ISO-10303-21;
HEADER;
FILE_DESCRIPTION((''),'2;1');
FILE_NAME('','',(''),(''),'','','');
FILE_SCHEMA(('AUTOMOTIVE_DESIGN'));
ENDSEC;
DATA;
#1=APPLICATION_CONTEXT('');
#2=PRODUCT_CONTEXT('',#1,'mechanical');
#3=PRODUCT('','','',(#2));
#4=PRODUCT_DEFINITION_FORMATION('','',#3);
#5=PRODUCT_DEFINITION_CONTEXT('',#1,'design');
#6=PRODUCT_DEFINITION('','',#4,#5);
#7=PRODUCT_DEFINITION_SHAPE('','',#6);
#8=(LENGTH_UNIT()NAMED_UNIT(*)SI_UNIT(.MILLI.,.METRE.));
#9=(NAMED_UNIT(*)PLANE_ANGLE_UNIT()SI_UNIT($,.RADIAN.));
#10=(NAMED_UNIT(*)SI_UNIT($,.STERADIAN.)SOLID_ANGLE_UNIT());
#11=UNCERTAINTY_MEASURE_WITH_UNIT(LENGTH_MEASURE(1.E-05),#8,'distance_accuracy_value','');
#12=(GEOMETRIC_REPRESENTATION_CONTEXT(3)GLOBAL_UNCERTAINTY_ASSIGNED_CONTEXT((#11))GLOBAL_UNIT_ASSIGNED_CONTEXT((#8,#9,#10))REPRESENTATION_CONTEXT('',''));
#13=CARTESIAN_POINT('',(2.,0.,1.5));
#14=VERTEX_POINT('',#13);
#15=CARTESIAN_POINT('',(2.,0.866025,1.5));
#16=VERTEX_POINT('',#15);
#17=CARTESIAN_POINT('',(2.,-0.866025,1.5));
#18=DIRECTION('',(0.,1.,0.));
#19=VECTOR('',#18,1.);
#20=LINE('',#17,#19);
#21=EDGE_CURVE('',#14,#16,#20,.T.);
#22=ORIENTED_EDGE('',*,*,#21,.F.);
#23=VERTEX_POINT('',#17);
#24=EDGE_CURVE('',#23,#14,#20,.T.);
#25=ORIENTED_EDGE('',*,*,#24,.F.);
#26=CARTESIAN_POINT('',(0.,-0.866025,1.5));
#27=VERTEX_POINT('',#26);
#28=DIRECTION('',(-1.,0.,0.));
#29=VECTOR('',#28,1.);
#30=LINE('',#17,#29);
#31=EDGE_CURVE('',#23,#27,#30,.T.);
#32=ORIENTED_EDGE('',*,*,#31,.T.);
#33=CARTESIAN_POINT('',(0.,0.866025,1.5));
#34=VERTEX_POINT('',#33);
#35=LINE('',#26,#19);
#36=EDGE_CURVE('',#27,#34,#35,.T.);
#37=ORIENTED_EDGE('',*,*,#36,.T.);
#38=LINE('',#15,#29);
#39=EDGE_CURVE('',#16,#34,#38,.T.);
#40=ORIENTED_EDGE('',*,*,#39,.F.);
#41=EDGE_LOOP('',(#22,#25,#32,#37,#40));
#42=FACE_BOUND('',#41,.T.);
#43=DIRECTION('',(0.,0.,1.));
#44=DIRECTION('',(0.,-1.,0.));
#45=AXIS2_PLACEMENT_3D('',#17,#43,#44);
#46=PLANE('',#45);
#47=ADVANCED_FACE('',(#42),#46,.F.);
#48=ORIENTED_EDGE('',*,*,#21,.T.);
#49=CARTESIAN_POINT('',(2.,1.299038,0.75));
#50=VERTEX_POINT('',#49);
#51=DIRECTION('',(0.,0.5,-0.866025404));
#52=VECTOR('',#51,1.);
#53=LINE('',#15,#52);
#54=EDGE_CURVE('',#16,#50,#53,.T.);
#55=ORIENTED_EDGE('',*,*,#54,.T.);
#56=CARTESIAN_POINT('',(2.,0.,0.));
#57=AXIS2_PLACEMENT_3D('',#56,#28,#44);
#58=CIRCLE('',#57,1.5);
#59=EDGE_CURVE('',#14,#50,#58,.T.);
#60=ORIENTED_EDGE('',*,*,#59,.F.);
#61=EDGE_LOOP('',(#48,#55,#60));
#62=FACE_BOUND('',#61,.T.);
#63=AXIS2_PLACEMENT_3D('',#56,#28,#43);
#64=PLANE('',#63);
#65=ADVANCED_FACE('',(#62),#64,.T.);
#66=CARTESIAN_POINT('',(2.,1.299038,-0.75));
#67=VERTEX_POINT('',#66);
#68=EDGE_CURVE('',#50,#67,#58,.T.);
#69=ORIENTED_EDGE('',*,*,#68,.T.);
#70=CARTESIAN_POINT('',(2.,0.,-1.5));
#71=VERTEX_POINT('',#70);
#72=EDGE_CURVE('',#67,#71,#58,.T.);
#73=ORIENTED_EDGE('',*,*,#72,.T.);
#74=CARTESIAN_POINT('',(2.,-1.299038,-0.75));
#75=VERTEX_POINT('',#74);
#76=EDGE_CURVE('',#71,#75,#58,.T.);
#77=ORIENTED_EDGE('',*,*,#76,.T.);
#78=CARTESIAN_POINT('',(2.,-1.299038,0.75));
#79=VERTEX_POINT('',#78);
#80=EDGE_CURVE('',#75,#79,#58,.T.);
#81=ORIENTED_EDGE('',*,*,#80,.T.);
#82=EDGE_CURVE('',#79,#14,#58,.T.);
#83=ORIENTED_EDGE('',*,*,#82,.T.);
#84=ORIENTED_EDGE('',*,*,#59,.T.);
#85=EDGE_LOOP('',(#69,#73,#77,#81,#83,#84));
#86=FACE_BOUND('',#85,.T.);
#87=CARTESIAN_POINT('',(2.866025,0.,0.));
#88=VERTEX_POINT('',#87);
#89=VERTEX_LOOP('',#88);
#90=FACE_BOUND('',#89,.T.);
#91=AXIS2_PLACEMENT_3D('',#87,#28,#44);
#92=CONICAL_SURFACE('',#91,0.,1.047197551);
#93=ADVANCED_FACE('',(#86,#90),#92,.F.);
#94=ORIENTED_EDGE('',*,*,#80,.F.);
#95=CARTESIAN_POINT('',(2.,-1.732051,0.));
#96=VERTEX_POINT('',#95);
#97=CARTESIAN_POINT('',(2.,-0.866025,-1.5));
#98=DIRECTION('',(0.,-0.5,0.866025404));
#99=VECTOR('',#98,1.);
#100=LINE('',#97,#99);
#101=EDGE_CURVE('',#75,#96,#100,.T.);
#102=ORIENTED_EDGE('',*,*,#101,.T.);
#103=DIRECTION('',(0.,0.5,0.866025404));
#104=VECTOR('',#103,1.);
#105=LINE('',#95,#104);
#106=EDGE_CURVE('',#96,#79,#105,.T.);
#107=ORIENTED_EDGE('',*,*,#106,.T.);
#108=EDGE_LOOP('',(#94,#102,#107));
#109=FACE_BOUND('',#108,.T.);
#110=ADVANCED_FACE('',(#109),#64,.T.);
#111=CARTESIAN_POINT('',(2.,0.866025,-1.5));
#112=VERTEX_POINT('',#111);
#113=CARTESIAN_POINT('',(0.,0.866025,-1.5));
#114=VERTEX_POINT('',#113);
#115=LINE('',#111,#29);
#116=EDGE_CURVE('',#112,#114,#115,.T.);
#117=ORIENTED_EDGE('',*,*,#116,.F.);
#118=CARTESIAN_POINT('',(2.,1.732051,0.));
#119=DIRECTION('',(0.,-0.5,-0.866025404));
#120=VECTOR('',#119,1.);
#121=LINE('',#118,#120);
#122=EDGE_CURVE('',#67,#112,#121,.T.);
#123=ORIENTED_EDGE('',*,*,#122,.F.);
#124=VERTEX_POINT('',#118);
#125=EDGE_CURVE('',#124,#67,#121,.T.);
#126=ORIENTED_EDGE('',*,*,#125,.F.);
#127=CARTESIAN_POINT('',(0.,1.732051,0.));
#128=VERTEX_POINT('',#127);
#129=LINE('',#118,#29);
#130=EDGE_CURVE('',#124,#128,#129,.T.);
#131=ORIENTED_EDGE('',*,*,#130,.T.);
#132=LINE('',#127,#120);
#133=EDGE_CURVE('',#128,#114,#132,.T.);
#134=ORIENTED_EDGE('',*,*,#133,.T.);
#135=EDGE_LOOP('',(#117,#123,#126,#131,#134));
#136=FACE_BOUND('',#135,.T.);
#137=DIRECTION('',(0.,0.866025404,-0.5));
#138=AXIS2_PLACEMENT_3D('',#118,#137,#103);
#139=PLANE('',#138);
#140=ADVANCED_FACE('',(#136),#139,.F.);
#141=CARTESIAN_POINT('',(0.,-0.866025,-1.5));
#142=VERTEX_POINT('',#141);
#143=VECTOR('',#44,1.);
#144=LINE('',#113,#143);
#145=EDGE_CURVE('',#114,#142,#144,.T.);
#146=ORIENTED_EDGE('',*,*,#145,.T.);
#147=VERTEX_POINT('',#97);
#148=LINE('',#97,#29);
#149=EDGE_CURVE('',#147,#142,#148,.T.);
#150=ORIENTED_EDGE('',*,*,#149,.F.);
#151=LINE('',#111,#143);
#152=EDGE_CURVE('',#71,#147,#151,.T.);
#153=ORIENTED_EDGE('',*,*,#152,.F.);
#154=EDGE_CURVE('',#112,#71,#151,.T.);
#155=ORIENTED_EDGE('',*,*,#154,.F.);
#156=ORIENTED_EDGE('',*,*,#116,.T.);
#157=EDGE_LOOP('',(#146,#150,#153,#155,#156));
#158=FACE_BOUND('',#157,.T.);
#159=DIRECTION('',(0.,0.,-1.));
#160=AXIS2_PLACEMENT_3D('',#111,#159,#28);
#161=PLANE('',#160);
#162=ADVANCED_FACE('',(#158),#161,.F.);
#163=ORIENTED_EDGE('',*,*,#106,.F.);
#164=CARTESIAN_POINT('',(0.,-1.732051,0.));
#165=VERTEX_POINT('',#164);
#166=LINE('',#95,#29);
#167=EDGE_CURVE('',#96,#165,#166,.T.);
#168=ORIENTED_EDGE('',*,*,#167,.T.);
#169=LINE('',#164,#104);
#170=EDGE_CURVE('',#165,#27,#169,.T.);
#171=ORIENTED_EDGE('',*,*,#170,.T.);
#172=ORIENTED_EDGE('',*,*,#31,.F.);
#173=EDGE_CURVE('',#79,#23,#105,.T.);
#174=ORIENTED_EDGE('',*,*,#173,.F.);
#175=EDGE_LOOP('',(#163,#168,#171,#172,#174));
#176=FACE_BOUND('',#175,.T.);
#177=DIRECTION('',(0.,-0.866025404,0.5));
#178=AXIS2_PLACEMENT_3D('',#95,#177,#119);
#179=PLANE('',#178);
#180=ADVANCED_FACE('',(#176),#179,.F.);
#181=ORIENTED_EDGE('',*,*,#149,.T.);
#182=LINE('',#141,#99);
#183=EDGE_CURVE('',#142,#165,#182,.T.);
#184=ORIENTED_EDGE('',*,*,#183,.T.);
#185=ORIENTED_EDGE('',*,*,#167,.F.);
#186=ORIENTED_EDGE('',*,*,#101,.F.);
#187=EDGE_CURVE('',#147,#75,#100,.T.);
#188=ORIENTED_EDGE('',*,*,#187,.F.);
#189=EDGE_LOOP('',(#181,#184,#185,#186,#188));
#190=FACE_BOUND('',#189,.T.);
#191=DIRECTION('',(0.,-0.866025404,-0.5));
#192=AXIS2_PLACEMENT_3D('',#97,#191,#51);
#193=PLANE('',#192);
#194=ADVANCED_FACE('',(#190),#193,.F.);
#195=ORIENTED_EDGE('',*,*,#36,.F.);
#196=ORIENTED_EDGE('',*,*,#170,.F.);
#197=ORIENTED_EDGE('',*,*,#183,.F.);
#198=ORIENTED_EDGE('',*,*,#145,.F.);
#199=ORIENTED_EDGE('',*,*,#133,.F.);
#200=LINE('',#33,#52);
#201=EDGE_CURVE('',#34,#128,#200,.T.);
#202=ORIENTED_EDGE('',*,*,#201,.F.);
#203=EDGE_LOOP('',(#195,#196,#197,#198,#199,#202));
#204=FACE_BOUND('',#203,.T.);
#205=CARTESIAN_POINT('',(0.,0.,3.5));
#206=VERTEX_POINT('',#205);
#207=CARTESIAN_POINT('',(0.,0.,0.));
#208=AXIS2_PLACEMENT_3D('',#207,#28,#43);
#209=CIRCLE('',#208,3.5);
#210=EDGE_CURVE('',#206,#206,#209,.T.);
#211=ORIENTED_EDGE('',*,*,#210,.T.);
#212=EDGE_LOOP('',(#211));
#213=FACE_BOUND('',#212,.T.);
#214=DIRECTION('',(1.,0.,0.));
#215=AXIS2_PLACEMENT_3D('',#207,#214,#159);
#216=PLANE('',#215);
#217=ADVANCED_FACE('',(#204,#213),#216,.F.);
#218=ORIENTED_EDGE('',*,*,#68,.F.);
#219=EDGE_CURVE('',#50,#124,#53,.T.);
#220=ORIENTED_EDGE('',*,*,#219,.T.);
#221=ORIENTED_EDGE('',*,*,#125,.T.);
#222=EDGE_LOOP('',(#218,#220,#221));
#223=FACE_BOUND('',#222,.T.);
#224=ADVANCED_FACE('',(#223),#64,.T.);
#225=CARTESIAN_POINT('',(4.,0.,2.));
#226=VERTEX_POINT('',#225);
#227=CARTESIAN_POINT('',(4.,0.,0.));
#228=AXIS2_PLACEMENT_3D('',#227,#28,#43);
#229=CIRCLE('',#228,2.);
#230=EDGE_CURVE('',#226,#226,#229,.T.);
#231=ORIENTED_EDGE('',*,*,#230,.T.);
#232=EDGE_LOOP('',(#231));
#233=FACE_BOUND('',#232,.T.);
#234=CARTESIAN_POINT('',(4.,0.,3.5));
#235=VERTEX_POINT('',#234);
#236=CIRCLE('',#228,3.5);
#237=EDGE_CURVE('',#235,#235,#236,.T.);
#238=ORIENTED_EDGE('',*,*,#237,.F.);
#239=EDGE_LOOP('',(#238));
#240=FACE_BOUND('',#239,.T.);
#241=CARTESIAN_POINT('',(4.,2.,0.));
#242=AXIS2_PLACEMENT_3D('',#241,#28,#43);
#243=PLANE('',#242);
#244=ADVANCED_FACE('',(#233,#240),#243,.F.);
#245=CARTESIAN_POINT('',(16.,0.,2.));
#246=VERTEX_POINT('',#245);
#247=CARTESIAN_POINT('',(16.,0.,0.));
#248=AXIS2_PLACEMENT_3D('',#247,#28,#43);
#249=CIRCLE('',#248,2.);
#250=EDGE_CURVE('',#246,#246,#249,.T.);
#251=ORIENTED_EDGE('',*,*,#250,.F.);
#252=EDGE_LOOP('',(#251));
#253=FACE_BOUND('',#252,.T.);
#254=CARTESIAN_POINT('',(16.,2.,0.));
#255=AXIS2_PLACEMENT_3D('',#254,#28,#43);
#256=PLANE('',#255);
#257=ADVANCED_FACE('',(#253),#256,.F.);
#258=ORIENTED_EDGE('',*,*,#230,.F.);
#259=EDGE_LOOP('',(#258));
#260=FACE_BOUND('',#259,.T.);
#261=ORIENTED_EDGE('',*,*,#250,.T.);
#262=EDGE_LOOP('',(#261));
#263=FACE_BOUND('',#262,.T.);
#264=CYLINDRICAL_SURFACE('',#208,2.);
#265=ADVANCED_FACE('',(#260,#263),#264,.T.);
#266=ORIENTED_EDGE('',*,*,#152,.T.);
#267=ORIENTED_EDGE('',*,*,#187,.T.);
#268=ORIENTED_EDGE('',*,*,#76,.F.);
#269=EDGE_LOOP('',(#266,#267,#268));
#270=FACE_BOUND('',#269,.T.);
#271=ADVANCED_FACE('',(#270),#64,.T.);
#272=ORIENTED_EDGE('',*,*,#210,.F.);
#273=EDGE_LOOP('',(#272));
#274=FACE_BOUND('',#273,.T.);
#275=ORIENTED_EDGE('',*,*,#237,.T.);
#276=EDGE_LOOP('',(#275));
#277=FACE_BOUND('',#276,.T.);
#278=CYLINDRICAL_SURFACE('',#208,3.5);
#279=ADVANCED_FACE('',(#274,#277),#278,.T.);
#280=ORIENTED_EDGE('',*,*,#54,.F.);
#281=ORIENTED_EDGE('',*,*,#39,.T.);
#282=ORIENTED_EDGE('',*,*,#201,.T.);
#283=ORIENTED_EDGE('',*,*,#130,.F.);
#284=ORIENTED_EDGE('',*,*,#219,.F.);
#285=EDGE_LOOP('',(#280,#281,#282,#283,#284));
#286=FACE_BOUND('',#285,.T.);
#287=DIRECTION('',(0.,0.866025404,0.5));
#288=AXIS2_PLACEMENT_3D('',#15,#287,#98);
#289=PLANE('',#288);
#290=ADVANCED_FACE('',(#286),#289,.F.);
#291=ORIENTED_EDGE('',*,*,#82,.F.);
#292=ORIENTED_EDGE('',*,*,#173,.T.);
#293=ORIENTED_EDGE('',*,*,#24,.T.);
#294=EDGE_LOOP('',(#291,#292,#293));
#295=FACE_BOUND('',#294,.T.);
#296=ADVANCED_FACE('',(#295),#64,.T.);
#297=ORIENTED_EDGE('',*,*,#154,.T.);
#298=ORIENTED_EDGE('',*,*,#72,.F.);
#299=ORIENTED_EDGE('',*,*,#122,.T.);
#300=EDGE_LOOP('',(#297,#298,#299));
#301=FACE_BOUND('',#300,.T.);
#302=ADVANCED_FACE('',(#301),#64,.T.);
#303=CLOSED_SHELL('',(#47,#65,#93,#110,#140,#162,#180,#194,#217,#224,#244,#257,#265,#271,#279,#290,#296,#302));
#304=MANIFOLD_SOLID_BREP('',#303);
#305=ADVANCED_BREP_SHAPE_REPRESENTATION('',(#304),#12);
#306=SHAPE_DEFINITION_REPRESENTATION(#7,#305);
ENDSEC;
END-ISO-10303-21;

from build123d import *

# Parameters (mm, degrees)
CUT_EXTRUDE1_DEPTH = 2


with BuildPart() as part:
    # Sketch1 → Revolve1 (revolve)
    with BuildSketch(Plane.XY, mode=Mode.PRIVATE) as revolve1_sk:
        Polygon((0, 0), (0, 3.5), (4, 3.5), (4, 2), (16, 2), (16, 0), align=None)
    revolve(revolve1_sk.sketch.rotate(Axis((0, 0, 0), (1, 0, 0)), 90), axis=Axis((0, 0, 0), (1, 0, 0)))

    # Sketch2 → Cut-Revolve1 (revolve, cut)
    with BuildSketch(Plane.XY, mode=Mode.PRIVATE) as cut_revolve1_sk:
        Polygon((0, 1.5), (2, 1.5), (2.866025404, 0), (0, 0), align=None)
    revolve(cut_revolve1_sk.sketch.rotate(Axis((0, 0, 0), (1, 0, 0)), 180), axis=Axis((0, 0, 0), (1, 0, 0)), mode=Mode.SUBTRACT)

    # Sketch3 → Cut-Extrude1 (cut)
    with BuildSketch(Plane.ZY):
        Polygon((0, -1.732050808), (1.5, -0.866025404), (1.5, 0.866025404), (0, 1.732050808), (-1.5, 0.866025404), (-1.5, -0.866025404), align=None)
    extrude(amount=-CUT_EXTRUDE1_DEPTH, mode=Mode.SUBTRACT)


solid = part.part
